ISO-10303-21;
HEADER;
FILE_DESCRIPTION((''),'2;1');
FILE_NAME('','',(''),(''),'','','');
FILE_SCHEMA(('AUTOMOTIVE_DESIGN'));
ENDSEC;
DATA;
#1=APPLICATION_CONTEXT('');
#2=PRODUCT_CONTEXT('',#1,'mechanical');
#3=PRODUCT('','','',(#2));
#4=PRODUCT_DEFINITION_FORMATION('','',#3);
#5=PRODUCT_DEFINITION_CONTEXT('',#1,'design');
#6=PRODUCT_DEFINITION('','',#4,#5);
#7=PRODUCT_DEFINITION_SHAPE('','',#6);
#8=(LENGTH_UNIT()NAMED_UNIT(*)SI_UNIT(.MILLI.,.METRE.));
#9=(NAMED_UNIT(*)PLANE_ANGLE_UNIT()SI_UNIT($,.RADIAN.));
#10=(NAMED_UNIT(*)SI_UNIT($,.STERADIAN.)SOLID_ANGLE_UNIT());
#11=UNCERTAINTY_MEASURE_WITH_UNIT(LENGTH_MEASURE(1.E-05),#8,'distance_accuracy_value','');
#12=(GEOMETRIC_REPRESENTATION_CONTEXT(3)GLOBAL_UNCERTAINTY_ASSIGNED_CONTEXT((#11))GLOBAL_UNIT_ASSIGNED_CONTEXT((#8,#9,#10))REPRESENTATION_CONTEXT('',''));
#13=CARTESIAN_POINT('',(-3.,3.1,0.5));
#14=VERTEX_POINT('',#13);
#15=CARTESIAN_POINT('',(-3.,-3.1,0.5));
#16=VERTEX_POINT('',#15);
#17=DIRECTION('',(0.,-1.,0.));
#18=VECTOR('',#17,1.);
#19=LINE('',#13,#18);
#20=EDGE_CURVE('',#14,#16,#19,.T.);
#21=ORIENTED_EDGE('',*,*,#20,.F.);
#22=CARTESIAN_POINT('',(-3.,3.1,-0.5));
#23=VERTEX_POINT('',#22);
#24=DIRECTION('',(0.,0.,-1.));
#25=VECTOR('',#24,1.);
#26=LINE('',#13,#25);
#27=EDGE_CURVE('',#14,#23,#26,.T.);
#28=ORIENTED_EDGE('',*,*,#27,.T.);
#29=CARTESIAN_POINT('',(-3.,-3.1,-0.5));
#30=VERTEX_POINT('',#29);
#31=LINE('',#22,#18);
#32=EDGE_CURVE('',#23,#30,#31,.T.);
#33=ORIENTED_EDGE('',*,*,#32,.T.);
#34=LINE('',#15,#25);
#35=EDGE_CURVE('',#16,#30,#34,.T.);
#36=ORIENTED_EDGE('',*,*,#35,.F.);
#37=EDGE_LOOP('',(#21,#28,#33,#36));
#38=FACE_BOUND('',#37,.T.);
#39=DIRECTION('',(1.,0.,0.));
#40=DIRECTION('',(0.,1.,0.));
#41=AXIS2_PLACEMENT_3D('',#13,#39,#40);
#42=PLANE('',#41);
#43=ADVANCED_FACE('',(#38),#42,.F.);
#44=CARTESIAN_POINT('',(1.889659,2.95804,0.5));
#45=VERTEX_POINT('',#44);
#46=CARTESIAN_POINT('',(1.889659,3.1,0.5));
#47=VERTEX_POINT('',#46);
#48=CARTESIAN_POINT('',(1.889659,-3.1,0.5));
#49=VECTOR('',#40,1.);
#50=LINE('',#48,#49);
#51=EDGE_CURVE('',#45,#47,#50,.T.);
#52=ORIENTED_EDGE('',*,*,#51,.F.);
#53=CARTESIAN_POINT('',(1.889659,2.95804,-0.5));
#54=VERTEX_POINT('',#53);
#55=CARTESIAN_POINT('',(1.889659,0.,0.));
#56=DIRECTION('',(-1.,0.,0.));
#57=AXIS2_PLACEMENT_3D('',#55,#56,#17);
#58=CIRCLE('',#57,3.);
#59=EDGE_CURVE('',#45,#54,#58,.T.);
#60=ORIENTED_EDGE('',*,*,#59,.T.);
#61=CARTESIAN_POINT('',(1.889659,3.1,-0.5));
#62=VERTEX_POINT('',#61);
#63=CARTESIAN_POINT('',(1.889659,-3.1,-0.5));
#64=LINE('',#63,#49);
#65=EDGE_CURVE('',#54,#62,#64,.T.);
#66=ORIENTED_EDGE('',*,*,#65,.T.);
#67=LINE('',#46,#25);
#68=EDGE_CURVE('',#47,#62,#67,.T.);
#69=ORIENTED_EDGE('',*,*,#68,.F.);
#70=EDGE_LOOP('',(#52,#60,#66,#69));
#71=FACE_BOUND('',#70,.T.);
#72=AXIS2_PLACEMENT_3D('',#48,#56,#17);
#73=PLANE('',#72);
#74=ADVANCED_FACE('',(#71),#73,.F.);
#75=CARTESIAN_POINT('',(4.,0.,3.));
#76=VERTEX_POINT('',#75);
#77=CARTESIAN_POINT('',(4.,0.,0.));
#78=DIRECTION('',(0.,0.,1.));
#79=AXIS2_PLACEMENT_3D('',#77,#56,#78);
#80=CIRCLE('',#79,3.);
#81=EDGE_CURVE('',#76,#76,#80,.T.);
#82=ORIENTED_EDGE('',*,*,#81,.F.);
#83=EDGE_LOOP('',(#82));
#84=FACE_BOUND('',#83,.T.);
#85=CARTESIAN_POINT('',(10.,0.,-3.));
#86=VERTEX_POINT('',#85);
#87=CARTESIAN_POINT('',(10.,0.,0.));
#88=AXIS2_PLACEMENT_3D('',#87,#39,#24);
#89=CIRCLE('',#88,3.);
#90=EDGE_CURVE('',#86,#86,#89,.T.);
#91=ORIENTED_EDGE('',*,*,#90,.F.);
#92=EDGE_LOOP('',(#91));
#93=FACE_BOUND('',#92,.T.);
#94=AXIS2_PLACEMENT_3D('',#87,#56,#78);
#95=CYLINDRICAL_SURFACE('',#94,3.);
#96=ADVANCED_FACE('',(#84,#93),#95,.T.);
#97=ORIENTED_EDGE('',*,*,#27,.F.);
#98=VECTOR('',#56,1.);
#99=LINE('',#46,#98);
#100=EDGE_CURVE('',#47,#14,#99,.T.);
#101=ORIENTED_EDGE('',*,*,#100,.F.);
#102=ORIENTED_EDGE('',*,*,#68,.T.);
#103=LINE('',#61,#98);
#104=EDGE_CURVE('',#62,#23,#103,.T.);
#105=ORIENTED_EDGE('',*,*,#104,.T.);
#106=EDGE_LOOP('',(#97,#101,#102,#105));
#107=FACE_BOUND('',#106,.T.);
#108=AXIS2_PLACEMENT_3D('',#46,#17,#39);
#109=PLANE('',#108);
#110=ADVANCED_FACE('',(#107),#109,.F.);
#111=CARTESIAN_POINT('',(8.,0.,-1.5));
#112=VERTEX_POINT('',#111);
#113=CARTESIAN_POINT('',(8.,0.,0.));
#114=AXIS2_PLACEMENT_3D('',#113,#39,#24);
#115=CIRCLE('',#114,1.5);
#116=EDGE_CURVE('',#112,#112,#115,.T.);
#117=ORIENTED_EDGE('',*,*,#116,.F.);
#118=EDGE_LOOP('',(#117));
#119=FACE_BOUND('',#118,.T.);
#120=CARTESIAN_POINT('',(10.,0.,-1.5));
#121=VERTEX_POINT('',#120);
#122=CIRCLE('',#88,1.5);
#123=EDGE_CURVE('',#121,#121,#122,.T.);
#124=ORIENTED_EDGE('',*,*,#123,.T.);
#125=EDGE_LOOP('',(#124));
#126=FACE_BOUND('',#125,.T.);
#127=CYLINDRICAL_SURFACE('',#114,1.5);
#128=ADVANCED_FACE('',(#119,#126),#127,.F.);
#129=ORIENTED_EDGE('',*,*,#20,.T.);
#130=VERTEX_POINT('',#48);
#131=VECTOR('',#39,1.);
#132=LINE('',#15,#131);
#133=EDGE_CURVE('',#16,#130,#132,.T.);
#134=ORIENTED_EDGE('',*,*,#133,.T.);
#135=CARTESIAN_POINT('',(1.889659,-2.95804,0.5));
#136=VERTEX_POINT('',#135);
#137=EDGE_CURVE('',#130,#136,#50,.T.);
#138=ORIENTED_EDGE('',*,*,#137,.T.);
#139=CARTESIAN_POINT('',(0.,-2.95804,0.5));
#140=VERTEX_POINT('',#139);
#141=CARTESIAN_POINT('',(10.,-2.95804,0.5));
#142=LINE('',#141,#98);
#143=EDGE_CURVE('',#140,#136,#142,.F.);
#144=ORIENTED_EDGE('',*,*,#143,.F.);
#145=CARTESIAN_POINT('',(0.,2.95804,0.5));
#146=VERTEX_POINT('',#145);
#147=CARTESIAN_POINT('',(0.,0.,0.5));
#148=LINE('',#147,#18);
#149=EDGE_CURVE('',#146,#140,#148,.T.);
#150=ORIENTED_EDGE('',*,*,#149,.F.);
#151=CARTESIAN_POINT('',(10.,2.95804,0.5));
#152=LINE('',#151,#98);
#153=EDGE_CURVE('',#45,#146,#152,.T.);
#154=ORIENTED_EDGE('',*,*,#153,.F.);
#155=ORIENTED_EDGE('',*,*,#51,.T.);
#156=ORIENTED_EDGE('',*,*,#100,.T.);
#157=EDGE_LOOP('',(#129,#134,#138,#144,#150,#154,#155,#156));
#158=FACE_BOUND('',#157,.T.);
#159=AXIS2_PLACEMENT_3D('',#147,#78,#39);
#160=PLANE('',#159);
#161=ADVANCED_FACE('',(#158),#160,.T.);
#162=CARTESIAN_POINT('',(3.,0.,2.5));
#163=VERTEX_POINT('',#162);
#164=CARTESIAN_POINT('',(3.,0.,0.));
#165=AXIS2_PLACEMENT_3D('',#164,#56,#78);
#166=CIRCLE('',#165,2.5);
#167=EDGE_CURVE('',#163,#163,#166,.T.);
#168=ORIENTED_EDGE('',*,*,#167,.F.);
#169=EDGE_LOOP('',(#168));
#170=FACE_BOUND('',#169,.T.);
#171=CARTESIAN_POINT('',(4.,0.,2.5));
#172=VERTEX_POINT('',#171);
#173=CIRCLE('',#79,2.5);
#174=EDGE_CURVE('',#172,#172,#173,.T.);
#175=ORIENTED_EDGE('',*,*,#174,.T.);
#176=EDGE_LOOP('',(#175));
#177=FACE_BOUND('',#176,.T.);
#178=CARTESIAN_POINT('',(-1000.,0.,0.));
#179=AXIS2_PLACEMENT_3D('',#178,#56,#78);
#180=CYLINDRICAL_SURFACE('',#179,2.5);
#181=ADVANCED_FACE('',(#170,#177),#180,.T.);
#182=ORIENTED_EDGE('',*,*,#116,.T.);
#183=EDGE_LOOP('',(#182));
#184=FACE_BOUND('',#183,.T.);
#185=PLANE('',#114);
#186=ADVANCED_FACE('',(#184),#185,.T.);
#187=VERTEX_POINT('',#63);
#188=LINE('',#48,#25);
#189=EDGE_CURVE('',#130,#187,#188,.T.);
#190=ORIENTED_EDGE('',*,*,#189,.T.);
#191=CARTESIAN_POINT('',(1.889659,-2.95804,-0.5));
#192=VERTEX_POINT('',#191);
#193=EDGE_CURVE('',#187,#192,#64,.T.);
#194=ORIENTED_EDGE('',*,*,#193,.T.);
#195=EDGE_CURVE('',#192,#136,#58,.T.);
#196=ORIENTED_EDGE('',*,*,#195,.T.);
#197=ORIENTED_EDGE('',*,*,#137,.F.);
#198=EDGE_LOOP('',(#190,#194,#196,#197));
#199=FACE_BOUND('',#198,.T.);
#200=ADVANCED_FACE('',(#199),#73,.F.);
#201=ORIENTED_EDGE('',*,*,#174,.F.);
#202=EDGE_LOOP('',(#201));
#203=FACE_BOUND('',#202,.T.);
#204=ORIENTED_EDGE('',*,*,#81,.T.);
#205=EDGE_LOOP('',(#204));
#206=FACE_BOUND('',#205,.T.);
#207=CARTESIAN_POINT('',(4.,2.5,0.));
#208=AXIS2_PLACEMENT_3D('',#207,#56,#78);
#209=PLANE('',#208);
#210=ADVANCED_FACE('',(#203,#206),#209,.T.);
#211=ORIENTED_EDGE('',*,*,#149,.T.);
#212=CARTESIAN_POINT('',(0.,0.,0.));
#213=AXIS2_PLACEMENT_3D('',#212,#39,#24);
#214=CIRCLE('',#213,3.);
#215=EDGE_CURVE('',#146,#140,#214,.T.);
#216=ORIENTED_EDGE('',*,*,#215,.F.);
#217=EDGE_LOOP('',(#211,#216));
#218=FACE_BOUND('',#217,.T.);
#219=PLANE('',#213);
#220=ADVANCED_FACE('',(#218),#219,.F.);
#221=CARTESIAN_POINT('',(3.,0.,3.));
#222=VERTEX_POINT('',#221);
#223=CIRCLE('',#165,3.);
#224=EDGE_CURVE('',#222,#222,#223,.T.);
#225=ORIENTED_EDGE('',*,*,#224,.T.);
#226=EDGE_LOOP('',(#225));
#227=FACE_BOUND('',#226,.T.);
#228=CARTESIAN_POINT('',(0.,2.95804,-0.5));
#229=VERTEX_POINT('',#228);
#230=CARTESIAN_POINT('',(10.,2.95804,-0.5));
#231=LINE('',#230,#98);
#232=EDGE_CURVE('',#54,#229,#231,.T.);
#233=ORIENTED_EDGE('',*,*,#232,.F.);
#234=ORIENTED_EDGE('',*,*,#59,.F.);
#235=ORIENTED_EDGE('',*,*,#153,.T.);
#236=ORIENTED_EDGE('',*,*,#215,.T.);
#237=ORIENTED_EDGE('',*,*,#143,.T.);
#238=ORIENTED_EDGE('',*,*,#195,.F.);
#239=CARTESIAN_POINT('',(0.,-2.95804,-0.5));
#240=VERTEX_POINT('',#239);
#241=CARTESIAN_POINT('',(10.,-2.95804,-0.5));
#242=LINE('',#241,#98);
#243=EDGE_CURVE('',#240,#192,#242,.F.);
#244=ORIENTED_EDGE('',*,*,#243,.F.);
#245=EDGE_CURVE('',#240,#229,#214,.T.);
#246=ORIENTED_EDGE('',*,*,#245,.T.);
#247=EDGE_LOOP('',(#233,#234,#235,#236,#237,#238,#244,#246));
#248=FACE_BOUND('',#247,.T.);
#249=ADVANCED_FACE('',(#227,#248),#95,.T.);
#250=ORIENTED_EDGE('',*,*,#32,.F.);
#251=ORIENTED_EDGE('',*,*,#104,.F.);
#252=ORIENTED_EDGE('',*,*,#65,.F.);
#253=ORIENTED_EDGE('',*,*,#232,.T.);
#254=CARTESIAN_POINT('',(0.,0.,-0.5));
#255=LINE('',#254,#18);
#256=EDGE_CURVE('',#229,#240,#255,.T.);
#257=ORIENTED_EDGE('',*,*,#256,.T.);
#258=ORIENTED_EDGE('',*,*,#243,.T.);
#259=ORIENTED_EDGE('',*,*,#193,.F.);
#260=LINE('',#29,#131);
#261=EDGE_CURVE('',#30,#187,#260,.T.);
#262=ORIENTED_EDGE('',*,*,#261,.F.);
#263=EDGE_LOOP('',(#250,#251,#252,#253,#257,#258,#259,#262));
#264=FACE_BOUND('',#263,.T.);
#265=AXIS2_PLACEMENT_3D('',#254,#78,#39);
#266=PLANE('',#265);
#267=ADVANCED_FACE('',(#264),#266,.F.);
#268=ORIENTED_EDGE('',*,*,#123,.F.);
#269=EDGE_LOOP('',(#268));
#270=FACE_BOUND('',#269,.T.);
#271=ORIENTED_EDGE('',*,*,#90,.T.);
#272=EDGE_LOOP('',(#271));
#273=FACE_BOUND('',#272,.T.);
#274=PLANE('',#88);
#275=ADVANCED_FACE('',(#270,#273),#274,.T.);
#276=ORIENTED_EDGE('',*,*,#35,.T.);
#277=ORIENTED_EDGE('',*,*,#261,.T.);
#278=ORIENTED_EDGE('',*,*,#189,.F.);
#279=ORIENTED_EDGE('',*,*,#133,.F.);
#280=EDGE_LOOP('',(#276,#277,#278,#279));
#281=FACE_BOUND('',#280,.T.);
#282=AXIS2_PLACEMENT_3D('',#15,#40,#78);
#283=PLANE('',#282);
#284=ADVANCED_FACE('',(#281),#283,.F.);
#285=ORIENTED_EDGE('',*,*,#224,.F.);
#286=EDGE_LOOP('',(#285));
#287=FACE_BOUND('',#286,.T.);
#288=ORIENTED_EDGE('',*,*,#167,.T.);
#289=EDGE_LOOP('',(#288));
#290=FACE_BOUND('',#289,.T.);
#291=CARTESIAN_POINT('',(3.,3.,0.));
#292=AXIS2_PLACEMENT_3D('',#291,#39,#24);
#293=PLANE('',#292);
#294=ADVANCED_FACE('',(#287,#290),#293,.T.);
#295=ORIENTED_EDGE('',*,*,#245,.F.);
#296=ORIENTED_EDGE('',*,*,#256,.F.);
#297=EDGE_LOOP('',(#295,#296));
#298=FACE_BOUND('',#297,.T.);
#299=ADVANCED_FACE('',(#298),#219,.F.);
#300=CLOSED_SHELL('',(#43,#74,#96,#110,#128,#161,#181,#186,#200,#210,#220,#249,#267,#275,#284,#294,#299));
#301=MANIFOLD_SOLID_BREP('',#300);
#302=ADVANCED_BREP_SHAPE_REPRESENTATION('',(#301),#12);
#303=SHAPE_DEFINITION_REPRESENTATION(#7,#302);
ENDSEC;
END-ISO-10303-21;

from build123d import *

# Parameters (mm, degrees)
SKETCH_1_R          = 3
EXTRUDE_1_DEPTH     = 10
SKETCH_2_W          = 1
SKETCH_2_H          = 0.5
SKETCH_3_R          = 1.5
CUT_EXTRUDE_1_DEPTH = 2
SKETCH_4_W          = 4.889658543
SKETCH_4_H          = 6.2
EXTRUDE_2_DEPTH     = 0.5


with BuildPart() as part:
    # Эскиз1 → Бобышка-Вытянуть1 (new body)
    with BuildSketch(Plane(origin=(0, 0, 0), x_dir=(0, 0, -1), z_dir=(1, 0, 0))):
        Circle(SKETCH_1_R)
    extrude(amount=EXTRUDE_1_DEPTH)

    # Эскиз2 → Вырез-Повернуть1 (revolve, cut)
    with BuildSketch(Plane.XY, mode=Mode.PRIVATE) as cut_revolve_1_sk:
        with Locations((3.5, 2.75)):
            Rectangle(SKETCH_2_W, SKETCH_2_H)
    revolve(cut_revolve_1_sk.sketch.rotate(Axis((-1000, 0, 0), (1, 0, 0)), 90), axis=Axis((-1000, 0, 0), (1, 0, 0)), mode=Mode.SUBTRACT)

    # Эскиз3 → Вырез-Вытянуть1 (cut)
    with BuildSketch(Plane(origin=(10, 0, 0), x_dir=(0, 0, -1), z_dir=(1, 0, 0))):
        Circle(SKETCH_3_R)
    extrude(amount=-CUT_EXTRUDE_1_DEPTH, mode=Mode.SUBTRACT)

    # Эскиз4 → Бобышка-Вытянуть2 (add, symmetric)
    with BuildSketch(Plane.XY):
        with Locations((-0.555170728, 0)):
            Rectangle(SKETCH_4_W, SKETCH_4_H)
    extrude(amount=EXTRUDE_2_DEPTH, both=True)


solid = part.part
